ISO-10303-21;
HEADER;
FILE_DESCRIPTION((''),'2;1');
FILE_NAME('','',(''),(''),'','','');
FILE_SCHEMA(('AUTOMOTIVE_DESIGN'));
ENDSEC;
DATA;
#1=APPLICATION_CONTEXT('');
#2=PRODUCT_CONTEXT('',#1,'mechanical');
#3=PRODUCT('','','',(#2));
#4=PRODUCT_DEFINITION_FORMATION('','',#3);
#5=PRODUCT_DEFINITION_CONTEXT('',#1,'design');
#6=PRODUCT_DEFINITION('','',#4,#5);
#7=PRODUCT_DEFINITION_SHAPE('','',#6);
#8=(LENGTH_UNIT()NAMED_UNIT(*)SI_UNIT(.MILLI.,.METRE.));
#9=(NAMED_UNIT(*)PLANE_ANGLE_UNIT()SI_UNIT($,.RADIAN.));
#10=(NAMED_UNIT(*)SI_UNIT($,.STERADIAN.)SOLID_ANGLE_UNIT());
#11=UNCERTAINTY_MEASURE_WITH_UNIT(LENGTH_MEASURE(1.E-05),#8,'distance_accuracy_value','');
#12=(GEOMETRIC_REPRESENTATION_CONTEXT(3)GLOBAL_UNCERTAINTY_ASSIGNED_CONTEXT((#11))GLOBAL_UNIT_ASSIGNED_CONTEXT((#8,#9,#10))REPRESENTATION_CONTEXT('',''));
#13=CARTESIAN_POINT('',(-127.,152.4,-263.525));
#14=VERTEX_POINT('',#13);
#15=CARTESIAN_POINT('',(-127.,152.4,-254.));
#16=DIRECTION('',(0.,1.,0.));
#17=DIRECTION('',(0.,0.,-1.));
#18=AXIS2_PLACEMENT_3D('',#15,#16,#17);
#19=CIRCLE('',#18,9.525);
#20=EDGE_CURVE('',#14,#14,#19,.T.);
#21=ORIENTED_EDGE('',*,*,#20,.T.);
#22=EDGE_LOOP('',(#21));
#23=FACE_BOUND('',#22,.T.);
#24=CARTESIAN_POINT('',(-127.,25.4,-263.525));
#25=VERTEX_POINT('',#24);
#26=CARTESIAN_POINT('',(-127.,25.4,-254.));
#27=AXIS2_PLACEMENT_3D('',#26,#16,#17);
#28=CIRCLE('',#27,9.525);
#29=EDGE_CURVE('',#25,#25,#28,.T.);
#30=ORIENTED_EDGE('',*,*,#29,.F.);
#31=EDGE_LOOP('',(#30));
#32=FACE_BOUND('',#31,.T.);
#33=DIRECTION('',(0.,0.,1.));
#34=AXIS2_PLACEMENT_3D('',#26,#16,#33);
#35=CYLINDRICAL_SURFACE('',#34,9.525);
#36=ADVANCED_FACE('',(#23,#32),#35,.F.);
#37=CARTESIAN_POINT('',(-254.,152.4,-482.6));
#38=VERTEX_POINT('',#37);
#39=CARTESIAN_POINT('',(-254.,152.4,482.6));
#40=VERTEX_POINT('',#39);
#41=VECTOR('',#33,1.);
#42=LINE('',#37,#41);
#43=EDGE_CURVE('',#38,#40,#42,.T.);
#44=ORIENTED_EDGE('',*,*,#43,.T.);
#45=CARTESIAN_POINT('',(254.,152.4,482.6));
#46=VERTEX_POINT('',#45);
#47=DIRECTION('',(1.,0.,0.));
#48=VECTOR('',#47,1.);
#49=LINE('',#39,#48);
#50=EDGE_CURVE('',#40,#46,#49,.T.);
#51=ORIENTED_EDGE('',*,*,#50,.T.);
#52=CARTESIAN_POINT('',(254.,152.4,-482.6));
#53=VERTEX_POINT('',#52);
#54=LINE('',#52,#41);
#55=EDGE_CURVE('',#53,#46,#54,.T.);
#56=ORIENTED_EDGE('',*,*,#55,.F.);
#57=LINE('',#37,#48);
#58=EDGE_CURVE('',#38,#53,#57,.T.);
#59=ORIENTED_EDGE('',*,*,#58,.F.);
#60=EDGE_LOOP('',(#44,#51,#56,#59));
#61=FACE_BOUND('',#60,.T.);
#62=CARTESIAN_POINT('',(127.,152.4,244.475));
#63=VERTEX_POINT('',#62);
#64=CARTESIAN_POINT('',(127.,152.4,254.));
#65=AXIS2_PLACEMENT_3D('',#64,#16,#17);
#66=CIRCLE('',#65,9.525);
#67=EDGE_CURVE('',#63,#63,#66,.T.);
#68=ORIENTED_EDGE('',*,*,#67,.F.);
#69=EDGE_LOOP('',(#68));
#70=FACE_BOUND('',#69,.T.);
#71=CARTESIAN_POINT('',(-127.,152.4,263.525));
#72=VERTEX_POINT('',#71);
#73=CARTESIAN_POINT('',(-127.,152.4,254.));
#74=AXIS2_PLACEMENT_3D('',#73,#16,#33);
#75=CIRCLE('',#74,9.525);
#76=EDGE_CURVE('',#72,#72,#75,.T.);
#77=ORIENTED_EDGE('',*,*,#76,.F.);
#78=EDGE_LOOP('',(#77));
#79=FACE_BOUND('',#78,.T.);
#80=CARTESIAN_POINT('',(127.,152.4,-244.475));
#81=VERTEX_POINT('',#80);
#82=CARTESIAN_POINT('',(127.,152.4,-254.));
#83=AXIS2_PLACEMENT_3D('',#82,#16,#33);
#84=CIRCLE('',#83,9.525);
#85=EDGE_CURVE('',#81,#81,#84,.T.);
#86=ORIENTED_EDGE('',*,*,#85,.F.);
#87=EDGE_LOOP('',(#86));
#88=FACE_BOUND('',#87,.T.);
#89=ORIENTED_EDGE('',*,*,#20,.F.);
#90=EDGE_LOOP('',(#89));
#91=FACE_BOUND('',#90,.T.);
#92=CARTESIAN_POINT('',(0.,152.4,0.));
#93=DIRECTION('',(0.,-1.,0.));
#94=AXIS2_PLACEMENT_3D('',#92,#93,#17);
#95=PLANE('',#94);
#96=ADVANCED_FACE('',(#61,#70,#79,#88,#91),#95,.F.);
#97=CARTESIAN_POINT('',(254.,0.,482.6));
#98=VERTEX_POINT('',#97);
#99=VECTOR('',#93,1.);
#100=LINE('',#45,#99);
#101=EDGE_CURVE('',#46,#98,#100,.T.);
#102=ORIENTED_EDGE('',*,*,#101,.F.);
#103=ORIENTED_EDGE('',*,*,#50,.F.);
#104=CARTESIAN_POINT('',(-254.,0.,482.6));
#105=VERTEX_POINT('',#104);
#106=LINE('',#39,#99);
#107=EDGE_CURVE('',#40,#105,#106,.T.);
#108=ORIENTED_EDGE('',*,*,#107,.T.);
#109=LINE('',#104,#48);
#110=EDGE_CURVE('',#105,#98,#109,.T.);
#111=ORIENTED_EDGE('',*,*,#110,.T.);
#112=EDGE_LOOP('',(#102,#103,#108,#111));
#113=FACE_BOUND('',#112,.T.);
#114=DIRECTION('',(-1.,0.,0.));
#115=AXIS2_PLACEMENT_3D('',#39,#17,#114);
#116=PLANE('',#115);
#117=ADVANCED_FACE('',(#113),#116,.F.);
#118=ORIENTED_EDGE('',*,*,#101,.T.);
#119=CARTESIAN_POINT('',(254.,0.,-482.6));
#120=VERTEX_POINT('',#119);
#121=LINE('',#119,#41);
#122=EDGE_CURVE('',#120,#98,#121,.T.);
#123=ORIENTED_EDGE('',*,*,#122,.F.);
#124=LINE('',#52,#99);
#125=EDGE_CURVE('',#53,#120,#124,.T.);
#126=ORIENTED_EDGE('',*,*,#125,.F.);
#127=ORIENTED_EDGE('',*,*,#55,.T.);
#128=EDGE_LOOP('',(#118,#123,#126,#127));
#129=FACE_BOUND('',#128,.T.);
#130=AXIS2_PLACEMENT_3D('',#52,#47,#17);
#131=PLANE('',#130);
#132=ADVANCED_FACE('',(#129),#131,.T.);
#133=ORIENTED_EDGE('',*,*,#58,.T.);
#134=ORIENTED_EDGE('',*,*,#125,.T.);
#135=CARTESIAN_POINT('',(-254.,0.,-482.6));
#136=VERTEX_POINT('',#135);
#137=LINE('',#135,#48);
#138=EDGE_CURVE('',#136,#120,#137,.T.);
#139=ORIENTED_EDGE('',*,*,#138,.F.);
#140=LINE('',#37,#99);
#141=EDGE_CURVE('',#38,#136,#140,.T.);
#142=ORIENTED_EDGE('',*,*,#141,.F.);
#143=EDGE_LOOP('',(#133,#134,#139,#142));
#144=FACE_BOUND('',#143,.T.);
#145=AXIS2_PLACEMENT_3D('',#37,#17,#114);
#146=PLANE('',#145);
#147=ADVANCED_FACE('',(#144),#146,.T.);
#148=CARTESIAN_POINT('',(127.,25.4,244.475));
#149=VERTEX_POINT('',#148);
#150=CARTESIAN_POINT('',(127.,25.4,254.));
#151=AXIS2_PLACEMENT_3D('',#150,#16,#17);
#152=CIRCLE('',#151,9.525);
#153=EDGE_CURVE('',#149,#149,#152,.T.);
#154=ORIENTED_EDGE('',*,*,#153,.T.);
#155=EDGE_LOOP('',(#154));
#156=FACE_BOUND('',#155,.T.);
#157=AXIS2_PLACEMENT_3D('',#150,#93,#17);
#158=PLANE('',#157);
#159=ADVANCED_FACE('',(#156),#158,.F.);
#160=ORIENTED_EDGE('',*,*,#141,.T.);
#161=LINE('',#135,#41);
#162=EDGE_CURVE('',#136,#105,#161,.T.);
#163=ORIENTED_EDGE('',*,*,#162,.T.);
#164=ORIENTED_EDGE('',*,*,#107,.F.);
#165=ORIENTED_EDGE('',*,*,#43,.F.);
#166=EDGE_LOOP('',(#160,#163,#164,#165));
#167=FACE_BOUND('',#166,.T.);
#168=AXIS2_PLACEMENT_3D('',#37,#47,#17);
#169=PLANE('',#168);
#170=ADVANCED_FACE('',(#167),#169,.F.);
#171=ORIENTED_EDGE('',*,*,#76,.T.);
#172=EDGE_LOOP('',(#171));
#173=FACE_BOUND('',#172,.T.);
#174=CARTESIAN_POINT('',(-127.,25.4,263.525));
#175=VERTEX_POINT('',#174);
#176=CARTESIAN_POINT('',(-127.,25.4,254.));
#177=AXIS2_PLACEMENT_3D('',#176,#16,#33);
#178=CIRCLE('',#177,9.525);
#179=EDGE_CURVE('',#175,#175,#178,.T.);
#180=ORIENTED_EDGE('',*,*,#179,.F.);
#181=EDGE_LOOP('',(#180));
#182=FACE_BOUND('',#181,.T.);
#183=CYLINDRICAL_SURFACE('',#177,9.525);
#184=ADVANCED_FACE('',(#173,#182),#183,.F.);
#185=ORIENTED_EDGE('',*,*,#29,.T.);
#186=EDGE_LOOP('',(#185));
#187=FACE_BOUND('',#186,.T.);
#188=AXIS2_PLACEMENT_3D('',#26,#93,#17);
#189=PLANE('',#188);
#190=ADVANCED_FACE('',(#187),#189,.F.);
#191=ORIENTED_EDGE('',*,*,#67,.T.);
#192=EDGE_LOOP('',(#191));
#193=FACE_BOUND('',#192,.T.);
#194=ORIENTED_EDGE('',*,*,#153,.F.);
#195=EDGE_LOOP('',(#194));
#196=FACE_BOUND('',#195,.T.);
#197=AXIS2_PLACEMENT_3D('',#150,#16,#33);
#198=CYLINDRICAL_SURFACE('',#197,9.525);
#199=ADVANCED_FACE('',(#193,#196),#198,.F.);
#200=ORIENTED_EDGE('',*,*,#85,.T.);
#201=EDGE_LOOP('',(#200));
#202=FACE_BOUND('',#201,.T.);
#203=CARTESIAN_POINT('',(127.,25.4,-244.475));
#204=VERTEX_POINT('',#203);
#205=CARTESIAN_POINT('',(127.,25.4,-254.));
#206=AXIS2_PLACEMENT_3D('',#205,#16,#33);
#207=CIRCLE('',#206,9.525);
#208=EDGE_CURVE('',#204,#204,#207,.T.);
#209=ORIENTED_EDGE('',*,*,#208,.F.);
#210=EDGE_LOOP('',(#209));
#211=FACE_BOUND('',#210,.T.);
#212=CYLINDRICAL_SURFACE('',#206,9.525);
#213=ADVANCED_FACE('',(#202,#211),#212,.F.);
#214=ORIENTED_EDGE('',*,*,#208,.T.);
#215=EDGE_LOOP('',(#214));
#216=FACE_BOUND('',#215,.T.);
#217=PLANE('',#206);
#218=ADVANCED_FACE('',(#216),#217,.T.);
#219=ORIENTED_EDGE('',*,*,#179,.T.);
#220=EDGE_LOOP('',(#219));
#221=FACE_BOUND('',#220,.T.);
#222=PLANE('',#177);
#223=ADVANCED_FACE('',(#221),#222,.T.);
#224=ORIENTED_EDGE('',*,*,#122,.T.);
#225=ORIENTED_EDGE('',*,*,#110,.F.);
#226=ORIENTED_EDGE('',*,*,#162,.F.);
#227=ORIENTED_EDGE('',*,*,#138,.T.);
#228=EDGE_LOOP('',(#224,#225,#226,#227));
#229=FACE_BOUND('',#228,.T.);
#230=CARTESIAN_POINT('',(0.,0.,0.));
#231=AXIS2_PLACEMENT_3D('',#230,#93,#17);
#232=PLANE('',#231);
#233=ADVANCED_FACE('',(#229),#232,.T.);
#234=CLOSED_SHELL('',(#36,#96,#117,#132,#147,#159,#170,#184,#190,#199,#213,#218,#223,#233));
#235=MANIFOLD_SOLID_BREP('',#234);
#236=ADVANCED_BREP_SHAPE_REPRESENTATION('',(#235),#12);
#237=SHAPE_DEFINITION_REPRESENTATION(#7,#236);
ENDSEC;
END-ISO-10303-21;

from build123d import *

# Parameters (mm, degrees)
SKETCH1_W           = 508
SKETCH1_H           = 965.2
BOSS_EXTRUDE1_DEPTH = 152.4
SKETCH2_R           = 9.525
CUT_EXTRUDE1_DEPTH  = 127


with BuildPart() as part:
    # Sketch1 → Boss-Extrude1 (new body)
    with BuildSketch(Plane(origin=(0, 0, 0), x_dir=(1, 0, 0), z_dir=(0, 1, 0))):
        Rectangle(SKETCH1_W, SKETCH1_H)
    extrude(amount=BOSS_EXTRUDE1_DEPTH)

    # Sketch2 → Cut-Extrude1 (cut)
    with BuildSketch(Plane(origin=(0, 152.4, 0), x_dir=(1, 0, 0), z_dir=(0, 1, 0))):
        with Locations(Location((127, 254, 0), (0, 0, 270))):
            Circle(SKETCH2_R)
        with Locations(Location((-127, 254, 0), (0, 0, 90))):
            Circle(SKETCH2_R)
        with Locations(Location((127, -254, 0), (0, 0, 90))):
            Circle(SKETCH2_R)
        with Locations(Location((-127, -254, 0), (0, 0, 270))):
            Circle(SKETCH2_R)
    extrude(amount=-CUT_EXTRUDE1_DEPTH, mode=Mode.SUBTRACT)


solid = part.part
